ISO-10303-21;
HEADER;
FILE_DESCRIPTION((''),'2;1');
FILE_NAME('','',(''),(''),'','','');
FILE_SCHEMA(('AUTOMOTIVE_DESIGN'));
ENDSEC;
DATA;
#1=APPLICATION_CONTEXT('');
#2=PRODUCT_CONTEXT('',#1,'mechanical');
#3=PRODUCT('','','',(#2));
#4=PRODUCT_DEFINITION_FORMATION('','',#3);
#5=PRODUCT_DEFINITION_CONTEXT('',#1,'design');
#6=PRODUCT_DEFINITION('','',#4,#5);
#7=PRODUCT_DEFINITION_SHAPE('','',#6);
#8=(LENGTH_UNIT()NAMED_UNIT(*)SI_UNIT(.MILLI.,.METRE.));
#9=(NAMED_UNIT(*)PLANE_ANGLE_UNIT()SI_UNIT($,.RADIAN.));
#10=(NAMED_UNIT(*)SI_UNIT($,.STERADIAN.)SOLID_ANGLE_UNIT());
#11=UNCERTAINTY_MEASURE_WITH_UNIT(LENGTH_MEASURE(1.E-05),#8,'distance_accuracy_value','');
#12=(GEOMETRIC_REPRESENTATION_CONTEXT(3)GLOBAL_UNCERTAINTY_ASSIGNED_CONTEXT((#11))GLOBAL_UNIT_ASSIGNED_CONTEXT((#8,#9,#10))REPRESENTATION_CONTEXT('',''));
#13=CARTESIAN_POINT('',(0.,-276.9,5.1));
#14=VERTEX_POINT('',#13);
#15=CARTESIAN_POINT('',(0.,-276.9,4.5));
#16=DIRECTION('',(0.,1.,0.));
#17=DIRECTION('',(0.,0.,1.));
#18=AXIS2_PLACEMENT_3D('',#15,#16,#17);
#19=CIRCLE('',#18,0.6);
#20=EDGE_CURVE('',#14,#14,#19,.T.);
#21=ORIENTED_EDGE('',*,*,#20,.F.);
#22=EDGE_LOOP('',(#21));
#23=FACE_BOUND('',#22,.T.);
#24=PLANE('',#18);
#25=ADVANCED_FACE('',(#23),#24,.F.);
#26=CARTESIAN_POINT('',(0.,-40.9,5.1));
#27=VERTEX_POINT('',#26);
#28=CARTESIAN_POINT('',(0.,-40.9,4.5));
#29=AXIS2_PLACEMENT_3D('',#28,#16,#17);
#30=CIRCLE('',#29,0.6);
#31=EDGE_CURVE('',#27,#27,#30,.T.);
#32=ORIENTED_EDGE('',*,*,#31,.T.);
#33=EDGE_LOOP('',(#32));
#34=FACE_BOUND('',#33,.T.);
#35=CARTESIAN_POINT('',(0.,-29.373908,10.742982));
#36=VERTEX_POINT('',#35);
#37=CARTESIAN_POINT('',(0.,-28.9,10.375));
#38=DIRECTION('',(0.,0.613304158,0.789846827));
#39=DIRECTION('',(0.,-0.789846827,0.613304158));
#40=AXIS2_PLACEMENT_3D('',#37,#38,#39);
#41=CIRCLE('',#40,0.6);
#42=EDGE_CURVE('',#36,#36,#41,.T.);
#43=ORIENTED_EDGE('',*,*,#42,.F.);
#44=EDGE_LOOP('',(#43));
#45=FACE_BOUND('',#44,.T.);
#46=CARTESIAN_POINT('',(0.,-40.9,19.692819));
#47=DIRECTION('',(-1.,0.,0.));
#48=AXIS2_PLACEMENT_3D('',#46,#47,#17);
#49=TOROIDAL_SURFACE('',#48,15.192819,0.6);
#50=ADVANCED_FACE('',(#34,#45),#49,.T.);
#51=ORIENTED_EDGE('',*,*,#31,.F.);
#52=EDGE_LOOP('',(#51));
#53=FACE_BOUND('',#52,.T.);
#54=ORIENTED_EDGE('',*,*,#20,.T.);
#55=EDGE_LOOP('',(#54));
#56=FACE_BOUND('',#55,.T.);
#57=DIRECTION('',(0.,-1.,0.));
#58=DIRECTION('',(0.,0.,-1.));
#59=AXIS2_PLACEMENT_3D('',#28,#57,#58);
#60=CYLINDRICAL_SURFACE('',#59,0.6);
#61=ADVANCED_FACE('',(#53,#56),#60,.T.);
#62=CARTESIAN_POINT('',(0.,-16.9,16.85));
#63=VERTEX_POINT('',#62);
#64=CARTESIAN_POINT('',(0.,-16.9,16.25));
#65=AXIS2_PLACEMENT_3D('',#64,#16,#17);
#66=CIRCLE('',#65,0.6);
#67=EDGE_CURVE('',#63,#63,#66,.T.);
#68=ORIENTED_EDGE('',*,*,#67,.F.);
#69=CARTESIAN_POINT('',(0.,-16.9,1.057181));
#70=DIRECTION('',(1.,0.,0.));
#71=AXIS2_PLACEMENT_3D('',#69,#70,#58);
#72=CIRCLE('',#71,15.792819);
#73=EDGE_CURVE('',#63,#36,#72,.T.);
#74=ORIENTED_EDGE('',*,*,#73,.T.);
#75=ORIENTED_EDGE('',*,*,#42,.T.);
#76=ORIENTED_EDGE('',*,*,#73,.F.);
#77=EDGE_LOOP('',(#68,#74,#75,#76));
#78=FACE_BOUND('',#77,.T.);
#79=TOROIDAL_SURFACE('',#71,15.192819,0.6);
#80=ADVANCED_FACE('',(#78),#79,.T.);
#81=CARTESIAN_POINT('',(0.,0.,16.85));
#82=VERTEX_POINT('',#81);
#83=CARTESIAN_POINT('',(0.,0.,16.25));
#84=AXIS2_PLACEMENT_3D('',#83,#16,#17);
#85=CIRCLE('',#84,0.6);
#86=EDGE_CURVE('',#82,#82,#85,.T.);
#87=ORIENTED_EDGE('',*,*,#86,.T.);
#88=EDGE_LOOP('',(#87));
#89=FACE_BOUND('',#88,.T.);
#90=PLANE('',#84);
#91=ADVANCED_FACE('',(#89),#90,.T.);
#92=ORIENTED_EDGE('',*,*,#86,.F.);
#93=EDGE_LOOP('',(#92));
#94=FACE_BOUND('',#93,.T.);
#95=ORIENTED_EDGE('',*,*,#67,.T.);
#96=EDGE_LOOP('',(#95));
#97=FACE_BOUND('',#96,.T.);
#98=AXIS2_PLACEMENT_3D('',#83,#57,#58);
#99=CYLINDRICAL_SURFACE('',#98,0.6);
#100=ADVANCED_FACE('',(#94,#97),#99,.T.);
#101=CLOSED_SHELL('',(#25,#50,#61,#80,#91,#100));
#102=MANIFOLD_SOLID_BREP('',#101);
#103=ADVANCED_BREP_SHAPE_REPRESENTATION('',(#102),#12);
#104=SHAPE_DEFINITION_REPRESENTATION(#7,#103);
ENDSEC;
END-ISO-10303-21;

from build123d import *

# Parameters (mm, degrees)
UTILITY_CIRCULAR_CROSS_SECTION_R = 0.6


with BuildPart() as part:
    # Native hollow utility sweep: sweep along a path in Illustrative smooth utility route
    with BuildLine(Plane(origin=(0, 0, 0), x_dir=(0, 0, -1), z_dir=(1, 0, 0))) as native_hollow_utility_sweep_path:
        Line((-16.25, 0), (-16.25, -16.9))
        ThreePointArc((-16.25, -16.9), (-14.702430847, -23.580486977), (-10.375, -28.9))
        ThreePointArc((-10.375, -28.9), (-6.047569153, -34.219513023), (-4.5, -40.9))
        Line((-4.5, -40.9), (-4.5, -276.9))
    # Utility circular cross section → Native hollow utility sweep (sweep)
    with BuildSketch(Plane(origin=(0, 0, 0), x_dir=(1, 0, 0), z_dir=(0, 1, 0))):
        with Locations((0, -16.25)):
            Circle(UTILITY_CIRCULAR_CROSS_SECTION_R)
    sweep(path=native_hollow_utility_sweep_path.line)


solid = part.part
